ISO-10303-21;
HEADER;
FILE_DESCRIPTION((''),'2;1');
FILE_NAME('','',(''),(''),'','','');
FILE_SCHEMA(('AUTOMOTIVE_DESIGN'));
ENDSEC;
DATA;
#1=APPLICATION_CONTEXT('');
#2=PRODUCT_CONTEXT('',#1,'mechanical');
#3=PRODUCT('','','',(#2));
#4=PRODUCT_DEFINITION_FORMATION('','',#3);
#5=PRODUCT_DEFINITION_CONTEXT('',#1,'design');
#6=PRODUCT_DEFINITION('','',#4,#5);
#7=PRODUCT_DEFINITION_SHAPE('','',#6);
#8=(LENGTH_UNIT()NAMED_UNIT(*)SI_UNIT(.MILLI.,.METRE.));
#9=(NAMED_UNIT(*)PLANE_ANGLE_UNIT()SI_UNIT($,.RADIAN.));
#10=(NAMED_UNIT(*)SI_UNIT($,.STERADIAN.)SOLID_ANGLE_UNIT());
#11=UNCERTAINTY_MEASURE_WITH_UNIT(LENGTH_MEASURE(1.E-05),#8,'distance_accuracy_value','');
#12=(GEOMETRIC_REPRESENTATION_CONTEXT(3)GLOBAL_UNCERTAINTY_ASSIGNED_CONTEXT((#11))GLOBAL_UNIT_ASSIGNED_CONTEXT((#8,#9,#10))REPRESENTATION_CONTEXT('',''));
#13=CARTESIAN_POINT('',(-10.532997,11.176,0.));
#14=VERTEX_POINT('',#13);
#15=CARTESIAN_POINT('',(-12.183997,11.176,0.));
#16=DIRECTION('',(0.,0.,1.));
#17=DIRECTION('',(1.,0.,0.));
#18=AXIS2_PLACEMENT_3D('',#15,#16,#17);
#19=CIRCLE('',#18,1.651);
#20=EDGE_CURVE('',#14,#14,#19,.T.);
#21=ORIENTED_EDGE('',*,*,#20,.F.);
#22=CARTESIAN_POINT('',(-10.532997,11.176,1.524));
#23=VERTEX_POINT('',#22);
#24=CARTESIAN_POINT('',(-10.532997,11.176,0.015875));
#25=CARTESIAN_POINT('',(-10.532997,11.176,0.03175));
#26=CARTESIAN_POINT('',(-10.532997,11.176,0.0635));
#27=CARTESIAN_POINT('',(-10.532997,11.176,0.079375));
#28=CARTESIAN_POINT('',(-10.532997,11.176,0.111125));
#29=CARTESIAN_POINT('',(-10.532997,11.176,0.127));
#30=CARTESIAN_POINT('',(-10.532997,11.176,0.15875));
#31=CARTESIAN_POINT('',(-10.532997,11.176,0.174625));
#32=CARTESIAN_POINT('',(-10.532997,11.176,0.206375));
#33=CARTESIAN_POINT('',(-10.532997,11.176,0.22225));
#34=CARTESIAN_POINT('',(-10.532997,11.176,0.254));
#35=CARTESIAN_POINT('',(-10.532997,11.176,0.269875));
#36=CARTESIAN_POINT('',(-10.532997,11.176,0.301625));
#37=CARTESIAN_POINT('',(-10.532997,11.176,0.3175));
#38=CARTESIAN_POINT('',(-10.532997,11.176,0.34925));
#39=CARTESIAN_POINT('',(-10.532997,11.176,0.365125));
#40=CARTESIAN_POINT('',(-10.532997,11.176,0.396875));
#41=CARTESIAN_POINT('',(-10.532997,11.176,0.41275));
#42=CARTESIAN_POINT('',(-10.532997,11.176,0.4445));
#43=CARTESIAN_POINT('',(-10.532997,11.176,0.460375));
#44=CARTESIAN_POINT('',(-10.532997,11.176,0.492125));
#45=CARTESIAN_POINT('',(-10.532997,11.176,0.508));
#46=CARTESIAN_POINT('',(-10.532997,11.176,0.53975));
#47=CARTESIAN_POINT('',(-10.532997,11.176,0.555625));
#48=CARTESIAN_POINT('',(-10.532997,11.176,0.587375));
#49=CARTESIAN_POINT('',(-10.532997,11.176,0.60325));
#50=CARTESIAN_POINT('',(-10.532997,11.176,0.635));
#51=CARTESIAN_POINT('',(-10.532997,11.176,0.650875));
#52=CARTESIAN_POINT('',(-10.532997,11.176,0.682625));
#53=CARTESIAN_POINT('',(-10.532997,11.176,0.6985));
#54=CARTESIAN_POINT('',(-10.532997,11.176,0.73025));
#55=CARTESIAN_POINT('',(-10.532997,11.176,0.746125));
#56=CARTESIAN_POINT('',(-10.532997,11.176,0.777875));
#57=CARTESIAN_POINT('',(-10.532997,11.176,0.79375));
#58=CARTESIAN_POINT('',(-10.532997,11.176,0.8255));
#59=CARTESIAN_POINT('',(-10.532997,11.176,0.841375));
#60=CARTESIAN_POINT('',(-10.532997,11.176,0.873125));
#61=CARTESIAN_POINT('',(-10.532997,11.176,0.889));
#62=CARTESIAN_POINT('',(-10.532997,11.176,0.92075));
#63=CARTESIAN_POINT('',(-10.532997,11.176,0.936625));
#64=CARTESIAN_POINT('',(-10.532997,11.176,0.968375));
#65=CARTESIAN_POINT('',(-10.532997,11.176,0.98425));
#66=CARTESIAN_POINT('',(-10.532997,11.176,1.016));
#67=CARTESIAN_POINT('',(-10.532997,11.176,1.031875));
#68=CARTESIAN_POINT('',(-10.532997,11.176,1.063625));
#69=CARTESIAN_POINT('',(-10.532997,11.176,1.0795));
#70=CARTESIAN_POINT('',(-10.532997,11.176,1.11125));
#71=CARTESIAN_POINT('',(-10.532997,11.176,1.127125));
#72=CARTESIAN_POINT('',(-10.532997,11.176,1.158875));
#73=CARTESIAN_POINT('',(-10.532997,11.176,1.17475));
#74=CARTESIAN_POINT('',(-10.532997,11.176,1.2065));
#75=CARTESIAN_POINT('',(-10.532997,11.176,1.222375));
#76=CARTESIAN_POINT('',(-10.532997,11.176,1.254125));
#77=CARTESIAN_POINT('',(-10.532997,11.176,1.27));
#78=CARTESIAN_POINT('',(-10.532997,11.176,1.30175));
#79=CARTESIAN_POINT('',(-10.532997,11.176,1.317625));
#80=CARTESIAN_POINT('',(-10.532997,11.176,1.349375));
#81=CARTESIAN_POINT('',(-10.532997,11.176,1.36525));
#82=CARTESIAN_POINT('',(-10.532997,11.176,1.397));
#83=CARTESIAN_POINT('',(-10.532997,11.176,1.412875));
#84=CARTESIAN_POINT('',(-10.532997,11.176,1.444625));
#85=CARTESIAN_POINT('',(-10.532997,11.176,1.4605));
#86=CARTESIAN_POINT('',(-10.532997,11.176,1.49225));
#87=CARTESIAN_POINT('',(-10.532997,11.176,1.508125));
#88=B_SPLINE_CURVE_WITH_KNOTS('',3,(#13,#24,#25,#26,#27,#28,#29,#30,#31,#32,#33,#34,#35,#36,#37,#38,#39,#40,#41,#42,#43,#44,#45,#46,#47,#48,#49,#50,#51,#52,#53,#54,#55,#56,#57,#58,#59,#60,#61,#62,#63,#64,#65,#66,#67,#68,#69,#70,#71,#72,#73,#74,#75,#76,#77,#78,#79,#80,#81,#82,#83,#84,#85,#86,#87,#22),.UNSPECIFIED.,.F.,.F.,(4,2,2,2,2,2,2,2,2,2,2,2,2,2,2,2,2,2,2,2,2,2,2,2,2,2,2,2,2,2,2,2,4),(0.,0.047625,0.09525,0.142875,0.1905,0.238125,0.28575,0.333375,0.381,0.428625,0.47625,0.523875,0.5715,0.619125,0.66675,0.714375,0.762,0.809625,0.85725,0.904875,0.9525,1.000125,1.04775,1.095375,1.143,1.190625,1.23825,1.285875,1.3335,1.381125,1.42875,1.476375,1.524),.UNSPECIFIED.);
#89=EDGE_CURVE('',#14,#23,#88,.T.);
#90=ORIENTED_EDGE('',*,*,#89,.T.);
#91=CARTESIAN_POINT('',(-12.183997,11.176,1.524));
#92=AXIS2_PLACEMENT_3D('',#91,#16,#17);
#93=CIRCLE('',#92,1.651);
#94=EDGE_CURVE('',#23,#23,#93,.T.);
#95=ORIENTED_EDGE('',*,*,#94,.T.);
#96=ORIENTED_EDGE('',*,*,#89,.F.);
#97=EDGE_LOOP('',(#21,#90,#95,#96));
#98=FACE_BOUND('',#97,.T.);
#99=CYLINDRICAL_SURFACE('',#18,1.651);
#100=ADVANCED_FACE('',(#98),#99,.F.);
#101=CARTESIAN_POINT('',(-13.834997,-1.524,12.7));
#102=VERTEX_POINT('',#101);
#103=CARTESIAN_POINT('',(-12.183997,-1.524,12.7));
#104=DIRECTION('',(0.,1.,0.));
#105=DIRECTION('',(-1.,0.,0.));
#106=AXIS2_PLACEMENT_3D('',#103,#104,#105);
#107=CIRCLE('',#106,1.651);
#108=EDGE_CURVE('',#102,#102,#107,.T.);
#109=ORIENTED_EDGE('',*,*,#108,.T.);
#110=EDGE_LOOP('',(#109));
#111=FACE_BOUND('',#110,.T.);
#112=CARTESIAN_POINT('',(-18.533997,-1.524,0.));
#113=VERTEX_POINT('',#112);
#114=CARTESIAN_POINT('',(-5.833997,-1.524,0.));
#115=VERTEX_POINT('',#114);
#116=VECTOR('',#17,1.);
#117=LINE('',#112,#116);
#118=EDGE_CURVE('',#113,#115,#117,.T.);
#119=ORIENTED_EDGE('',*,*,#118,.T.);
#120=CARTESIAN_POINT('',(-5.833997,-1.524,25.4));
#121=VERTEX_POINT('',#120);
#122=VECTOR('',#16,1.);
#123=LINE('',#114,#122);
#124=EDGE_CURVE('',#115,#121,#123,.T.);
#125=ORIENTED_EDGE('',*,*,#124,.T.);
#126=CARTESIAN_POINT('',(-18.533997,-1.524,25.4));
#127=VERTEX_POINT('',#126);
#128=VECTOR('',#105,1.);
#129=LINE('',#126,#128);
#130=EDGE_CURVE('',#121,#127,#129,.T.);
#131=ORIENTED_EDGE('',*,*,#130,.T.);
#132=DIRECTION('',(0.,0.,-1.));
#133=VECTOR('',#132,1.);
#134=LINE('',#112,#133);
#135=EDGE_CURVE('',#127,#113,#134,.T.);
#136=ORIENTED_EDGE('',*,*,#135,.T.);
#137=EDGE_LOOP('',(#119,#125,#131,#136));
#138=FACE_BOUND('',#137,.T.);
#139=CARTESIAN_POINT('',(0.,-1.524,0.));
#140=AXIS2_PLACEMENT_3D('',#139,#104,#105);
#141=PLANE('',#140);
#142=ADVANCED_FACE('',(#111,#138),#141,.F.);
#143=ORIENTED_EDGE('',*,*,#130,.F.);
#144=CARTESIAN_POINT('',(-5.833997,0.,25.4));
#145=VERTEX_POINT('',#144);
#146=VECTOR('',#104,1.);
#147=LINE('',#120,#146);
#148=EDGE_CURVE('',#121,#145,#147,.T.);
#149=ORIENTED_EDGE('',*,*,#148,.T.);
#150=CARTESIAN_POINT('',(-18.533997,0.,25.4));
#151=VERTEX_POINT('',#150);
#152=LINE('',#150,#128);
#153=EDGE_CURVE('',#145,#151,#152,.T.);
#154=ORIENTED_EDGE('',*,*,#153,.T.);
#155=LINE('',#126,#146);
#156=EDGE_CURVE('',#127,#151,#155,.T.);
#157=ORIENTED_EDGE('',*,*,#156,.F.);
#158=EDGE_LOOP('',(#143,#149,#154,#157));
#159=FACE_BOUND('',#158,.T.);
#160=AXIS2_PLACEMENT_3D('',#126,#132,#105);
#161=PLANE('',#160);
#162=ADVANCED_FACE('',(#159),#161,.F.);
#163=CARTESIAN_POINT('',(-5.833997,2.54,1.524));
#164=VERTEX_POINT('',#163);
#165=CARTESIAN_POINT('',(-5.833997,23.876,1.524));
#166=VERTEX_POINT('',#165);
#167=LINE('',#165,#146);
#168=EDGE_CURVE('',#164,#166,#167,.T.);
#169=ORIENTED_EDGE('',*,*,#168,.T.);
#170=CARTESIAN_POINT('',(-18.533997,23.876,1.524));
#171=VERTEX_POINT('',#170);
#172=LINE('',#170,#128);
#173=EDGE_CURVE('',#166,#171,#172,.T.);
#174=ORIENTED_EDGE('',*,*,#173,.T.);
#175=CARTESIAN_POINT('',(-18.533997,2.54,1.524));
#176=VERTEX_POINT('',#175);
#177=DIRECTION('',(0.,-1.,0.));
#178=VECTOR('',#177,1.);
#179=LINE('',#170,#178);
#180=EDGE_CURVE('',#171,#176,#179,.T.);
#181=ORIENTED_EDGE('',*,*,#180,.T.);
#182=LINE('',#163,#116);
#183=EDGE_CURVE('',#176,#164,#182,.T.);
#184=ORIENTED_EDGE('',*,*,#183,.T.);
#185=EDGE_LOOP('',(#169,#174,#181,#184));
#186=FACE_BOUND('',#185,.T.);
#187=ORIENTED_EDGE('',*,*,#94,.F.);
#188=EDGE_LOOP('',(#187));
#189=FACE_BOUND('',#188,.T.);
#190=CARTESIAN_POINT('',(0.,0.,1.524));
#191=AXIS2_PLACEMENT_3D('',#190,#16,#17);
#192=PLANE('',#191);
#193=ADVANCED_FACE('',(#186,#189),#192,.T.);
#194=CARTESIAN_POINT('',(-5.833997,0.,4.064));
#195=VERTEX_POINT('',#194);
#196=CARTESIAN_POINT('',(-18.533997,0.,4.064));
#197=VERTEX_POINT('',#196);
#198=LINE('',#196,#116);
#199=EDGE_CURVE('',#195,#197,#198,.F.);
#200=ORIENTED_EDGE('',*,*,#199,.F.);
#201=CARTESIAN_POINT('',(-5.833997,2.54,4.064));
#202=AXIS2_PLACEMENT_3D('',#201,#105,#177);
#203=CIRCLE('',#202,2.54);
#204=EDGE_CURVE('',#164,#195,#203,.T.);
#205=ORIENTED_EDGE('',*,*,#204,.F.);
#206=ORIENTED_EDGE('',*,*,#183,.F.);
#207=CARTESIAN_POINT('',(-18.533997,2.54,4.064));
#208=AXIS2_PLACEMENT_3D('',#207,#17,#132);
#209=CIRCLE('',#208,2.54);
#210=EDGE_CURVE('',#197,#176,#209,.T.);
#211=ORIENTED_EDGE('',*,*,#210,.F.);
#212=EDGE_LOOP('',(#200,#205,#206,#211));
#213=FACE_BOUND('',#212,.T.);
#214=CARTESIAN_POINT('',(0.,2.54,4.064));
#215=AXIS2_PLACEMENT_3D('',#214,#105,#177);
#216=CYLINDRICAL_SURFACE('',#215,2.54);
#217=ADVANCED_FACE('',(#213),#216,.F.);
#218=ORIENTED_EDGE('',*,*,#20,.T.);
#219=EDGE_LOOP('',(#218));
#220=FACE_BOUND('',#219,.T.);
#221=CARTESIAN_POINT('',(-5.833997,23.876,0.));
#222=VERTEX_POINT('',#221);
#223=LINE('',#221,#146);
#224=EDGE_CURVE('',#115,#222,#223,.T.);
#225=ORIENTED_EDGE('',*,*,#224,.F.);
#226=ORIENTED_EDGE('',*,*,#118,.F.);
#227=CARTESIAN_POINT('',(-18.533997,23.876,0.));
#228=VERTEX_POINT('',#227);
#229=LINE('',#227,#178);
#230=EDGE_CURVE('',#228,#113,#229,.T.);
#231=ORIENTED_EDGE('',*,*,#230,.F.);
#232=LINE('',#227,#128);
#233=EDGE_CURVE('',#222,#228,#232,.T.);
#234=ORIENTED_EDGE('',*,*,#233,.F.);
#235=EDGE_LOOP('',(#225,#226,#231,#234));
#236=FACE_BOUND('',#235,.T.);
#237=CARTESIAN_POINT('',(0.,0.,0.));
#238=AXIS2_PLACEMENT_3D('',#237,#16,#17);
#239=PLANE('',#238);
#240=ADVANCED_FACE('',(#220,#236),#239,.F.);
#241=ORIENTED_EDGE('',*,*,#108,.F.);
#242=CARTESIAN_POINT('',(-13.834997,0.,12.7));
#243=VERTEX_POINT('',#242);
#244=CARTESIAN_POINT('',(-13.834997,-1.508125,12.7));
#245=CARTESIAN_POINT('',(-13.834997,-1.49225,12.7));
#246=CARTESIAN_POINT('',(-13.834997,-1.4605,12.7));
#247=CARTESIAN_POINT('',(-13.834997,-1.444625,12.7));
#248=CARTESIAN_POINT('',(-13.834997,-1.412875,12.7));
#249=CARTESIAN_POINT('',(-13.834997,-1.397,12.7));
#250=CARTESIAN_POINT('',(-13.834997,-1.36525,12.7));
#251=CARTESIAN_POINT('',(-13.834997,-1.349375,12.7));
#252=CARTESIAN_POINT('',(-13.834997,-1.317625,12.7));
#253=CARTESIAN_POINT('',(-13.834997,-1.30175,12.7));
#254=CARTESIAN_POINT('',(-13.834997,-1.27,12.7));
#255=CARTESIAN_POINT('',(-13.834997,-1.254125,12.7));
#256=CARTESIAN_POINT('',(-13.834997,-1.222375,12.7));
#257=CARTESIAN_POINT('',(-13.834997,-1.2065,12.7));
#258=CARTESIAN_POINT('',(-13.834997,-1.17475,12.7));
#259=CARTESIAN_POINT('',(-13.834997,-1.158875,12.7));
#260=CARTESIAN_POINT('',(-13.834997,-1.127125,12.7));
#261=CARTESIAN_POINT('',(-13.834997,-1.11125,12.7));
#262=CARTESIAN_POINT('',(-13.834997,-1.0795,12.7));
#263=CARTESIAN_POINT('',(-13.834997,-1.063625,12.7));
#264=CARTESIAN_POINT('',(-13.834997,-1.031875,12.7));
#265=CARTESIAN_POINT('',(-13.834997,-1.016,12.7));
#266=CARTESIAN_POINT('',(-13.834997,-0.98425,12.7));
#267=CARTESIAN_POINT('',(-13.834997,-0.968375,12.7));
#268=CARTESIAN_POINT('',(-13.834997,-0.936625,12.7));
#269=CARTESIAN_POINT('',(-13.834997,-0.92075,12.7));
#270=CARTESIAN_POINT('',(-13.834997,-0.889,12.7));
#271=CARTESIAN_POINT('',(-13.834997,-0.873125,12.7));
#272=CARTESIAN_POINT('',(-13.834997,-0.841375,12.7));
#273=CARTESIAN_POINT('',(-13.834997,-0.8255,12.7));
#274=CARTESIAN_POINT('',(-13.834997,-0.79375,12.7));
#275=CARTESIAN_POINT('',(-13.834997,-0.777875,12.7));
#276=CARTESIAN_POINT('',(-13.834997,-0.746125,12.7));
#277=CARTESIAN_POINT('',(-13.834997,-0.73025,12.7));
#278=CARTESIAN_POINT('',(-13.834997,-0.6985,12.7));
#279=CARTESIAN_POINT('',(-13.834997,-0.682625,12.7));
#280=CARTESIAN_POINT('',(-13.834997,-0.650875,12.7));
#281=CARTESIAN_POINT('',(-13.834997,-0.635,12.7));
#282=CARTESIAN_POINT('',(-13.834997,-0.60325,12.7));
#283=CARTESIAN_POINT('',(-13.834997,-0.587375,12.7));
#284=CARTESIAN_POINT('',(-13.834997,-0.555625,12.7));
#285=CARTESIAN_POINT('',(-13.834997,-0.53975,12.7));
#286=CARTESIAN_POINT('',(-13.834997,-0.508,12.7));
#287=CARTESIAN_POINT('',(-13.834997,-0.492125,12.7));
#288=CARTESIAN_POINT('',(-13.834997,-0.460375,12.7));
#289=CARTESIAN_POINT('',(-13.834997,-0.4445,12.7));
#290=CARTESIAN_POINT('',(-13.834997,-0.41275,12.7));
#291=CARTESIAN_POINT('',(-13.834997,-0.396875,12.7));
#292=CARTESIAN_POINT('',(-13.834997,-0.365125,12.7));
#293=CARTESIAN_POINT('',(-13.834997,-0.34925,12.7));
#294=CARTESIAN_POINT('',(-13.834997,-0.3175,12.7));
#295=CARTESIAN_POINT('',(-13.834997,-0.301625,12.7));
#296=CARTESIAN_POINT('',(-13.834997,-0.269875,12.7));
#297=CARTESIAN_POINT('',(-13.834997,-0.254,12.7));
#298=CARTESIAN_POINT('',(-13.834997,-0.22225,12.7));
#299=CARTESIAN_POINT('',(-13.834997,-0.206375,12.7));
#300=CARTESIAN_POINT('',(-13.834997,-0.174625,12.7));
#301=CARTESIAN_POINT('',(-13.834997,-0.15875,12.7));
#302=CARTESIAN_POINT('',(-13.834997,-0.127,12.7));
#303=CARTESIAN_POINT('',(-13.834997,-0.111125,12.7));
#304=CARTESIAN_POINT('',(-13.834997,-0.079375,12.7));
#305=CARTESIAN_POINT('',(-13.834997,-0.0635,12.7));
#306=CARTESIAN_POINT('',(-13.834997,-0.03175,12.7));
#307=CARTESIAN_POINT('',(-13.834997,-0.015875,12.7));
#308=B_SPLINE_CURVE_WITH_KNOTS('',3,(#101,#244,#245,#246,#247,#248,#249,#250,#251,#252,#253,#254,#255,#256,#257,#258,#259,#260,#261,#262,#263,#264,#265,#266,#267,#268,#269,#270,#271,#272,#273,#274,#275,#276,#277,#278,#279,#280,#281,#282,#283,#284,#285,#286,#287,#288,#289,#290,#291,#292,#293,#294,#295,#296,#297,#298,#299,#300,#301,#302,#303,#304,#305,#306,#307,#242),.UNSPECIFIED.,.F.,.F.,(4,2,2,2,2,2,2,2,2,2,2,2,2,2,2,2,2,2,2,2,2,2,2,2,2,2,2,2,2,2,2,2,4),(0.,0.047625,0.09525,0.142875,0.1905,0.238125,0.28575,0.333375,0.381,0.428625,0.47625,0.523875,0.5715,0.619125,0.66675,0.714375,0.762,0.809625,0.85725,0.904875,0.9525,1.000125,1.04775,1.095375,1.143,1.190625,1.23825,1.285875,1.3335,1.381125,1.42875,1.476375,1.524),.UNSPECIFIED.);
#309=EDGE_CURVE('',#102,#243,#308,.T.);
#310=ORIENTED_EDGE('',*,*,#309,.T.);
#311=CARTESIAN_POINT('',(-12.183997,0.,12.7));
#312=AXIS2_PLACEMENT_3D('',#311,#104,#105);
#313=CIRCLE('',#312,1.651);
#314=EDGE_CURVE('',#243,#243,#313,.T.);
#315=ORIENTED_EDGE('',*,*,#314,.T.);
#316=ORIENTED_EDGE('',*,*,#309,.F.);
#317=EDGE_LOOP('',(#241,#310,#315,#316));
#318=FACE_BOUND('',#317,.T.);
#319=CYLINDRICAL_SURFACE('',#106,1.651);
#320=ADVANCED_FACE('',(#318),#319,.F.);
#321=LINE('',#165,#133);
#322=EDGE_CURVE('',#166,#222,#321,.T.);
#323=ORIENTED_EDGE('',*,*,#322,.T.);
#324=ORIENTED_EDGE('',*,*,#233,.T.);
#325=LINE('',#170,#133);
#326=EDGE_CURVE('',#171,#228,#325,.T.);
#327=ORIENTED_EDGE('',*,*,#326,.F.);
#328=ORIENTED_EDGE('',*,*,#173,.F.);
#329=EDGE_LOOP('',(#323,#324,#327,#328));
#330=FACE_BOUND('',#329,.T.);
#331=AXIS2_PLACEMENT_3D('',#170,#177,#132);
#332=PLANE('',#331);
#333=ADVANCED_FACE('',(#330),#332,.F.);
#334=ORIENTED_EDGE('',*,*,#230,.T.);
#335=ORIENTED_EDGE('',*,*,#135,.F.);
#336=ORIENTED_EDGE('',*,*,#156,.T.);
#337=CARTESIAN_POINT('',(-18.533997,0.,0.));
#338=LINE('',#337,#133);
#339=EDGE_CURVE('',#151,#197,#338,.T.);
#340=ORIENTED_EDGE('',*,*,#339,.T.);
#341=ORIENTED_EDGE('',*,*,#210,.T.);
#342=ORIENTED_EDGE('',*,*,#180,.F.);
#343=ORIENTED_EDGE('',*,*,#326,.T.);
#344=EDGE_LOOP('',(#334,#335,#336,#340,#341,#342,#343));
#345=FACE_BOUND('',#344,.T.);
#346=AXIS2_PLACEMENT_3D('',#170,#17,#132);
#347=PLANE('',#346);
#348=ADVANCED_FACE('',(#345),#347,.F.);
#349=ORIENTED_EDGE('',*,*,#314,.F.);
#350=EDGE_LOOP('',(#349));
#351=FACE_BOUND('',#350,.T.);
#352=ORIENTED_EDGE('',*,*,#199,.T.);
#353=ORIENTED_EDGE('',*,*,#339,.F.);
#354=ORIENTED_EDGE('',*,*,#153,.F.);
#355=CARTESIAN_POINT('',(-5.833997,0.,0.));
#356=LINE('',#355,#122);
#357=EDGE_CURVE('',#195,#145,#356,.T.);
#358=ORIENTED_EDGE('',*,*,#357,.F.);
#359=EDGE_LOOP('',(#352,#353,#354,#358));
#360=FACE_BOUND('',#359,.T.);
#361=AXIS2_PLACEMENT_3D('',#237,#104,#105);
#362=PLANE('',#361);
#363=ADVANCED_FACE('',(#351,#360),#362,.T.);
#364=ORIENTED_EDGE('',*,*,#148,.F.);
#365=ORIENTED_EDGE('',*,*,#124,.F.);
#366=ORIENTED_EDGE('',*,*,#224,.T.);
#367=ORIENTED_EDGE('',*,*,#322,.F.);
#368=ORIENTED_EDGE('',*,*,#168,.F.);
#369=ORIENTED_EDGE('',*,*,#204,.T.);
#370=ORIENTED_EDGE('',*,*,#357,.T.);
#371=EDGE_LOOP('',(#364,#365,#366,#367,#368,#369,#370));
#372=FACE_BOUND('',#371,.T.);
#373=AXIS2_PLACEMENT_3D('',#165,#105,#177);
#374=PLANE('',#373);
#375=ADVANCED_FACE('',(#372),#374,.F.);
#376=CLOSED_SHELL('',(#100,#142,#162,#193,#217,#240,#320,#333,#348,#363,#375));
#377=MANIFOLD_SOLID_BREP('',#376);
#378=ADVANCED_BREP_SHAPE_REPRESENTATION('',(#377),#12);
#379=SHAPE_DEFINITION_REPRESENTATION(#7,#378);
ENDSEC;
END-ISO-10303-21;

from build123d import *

# Parameters (mm, degrees)
SKETCH2_W           = 12.7
SKETCH2_H           = 23.876
BOSS_EXTRUDE1_DEPTH = 1.524
SKETCH3_W           = 12.7
SKETCH3_H           = 25.4
BOSS_EXTRUDE2_DEPTH = 1.524
FILLET1_R           = 2.54
SKETCH4_R           = 1.651
CUT_EXTRUDE1_DEPTH  = 39.517993004
SKETCH5_R           = 1.651
CUT_EXTRUDE2_DEPTH  = 1.524


with BuildPart() as part:
    # Sketch2 → Boss-Extrude1 (new body)
    with BuildSketch(Plane.XY):
        with Locations((-12.183996683, 11.938)):
            Rectangle(SKETCH2_W, SKETCH2_H)
    extrude(amount=BOSS_EXTRUDE1_DEPTH)

    # Sketch3 → Boss-Extrude2 (add)
    with BuildSketch(Plane.XZ):
        with Locations((-12.183996683, 12.7)):
            Rectangle(SKETCH3_W, SKETCH3_H)
    extrude(amount=BOSS_EXTRUDE2_DEPTH)

    # Fillet1
    fillet1_edges = [part.edges().sort_by_distance(p)[0] for p in [
        (-12.183996683, 0, 1.524),
    ]]
    fillet(fillet1_edges, radius=FILLET1_R)

    # Sketch4 → Cut-Extrude1 (cut, through all)
    with BuildSketch(Plane.XY.offset(1.524)):
        with Locations((-12.183996683, 11.176)):
            Circle(SKETCH4_R)
    extrude(amount=-CUT_EXTRUDE1_DEPTH, mode=Mode.SUBTRACT)

    # Sketch5 → Cut-Extrude2 (cut)
    with BuildSketch(Plane(origin=(0, 0, 0), x_dir=(1, 0, 0), z_dir=(0, 1, 0))):
        with Locations(Location((-12.183996683, -12.7, 0), (0, 0, 180))):
            Circle(SKETCH5_R)
    extrude(amount=-CUT_EXTRUDE2_DEPTH, mode=Mode.SUBTRACT)


solid = part.part
